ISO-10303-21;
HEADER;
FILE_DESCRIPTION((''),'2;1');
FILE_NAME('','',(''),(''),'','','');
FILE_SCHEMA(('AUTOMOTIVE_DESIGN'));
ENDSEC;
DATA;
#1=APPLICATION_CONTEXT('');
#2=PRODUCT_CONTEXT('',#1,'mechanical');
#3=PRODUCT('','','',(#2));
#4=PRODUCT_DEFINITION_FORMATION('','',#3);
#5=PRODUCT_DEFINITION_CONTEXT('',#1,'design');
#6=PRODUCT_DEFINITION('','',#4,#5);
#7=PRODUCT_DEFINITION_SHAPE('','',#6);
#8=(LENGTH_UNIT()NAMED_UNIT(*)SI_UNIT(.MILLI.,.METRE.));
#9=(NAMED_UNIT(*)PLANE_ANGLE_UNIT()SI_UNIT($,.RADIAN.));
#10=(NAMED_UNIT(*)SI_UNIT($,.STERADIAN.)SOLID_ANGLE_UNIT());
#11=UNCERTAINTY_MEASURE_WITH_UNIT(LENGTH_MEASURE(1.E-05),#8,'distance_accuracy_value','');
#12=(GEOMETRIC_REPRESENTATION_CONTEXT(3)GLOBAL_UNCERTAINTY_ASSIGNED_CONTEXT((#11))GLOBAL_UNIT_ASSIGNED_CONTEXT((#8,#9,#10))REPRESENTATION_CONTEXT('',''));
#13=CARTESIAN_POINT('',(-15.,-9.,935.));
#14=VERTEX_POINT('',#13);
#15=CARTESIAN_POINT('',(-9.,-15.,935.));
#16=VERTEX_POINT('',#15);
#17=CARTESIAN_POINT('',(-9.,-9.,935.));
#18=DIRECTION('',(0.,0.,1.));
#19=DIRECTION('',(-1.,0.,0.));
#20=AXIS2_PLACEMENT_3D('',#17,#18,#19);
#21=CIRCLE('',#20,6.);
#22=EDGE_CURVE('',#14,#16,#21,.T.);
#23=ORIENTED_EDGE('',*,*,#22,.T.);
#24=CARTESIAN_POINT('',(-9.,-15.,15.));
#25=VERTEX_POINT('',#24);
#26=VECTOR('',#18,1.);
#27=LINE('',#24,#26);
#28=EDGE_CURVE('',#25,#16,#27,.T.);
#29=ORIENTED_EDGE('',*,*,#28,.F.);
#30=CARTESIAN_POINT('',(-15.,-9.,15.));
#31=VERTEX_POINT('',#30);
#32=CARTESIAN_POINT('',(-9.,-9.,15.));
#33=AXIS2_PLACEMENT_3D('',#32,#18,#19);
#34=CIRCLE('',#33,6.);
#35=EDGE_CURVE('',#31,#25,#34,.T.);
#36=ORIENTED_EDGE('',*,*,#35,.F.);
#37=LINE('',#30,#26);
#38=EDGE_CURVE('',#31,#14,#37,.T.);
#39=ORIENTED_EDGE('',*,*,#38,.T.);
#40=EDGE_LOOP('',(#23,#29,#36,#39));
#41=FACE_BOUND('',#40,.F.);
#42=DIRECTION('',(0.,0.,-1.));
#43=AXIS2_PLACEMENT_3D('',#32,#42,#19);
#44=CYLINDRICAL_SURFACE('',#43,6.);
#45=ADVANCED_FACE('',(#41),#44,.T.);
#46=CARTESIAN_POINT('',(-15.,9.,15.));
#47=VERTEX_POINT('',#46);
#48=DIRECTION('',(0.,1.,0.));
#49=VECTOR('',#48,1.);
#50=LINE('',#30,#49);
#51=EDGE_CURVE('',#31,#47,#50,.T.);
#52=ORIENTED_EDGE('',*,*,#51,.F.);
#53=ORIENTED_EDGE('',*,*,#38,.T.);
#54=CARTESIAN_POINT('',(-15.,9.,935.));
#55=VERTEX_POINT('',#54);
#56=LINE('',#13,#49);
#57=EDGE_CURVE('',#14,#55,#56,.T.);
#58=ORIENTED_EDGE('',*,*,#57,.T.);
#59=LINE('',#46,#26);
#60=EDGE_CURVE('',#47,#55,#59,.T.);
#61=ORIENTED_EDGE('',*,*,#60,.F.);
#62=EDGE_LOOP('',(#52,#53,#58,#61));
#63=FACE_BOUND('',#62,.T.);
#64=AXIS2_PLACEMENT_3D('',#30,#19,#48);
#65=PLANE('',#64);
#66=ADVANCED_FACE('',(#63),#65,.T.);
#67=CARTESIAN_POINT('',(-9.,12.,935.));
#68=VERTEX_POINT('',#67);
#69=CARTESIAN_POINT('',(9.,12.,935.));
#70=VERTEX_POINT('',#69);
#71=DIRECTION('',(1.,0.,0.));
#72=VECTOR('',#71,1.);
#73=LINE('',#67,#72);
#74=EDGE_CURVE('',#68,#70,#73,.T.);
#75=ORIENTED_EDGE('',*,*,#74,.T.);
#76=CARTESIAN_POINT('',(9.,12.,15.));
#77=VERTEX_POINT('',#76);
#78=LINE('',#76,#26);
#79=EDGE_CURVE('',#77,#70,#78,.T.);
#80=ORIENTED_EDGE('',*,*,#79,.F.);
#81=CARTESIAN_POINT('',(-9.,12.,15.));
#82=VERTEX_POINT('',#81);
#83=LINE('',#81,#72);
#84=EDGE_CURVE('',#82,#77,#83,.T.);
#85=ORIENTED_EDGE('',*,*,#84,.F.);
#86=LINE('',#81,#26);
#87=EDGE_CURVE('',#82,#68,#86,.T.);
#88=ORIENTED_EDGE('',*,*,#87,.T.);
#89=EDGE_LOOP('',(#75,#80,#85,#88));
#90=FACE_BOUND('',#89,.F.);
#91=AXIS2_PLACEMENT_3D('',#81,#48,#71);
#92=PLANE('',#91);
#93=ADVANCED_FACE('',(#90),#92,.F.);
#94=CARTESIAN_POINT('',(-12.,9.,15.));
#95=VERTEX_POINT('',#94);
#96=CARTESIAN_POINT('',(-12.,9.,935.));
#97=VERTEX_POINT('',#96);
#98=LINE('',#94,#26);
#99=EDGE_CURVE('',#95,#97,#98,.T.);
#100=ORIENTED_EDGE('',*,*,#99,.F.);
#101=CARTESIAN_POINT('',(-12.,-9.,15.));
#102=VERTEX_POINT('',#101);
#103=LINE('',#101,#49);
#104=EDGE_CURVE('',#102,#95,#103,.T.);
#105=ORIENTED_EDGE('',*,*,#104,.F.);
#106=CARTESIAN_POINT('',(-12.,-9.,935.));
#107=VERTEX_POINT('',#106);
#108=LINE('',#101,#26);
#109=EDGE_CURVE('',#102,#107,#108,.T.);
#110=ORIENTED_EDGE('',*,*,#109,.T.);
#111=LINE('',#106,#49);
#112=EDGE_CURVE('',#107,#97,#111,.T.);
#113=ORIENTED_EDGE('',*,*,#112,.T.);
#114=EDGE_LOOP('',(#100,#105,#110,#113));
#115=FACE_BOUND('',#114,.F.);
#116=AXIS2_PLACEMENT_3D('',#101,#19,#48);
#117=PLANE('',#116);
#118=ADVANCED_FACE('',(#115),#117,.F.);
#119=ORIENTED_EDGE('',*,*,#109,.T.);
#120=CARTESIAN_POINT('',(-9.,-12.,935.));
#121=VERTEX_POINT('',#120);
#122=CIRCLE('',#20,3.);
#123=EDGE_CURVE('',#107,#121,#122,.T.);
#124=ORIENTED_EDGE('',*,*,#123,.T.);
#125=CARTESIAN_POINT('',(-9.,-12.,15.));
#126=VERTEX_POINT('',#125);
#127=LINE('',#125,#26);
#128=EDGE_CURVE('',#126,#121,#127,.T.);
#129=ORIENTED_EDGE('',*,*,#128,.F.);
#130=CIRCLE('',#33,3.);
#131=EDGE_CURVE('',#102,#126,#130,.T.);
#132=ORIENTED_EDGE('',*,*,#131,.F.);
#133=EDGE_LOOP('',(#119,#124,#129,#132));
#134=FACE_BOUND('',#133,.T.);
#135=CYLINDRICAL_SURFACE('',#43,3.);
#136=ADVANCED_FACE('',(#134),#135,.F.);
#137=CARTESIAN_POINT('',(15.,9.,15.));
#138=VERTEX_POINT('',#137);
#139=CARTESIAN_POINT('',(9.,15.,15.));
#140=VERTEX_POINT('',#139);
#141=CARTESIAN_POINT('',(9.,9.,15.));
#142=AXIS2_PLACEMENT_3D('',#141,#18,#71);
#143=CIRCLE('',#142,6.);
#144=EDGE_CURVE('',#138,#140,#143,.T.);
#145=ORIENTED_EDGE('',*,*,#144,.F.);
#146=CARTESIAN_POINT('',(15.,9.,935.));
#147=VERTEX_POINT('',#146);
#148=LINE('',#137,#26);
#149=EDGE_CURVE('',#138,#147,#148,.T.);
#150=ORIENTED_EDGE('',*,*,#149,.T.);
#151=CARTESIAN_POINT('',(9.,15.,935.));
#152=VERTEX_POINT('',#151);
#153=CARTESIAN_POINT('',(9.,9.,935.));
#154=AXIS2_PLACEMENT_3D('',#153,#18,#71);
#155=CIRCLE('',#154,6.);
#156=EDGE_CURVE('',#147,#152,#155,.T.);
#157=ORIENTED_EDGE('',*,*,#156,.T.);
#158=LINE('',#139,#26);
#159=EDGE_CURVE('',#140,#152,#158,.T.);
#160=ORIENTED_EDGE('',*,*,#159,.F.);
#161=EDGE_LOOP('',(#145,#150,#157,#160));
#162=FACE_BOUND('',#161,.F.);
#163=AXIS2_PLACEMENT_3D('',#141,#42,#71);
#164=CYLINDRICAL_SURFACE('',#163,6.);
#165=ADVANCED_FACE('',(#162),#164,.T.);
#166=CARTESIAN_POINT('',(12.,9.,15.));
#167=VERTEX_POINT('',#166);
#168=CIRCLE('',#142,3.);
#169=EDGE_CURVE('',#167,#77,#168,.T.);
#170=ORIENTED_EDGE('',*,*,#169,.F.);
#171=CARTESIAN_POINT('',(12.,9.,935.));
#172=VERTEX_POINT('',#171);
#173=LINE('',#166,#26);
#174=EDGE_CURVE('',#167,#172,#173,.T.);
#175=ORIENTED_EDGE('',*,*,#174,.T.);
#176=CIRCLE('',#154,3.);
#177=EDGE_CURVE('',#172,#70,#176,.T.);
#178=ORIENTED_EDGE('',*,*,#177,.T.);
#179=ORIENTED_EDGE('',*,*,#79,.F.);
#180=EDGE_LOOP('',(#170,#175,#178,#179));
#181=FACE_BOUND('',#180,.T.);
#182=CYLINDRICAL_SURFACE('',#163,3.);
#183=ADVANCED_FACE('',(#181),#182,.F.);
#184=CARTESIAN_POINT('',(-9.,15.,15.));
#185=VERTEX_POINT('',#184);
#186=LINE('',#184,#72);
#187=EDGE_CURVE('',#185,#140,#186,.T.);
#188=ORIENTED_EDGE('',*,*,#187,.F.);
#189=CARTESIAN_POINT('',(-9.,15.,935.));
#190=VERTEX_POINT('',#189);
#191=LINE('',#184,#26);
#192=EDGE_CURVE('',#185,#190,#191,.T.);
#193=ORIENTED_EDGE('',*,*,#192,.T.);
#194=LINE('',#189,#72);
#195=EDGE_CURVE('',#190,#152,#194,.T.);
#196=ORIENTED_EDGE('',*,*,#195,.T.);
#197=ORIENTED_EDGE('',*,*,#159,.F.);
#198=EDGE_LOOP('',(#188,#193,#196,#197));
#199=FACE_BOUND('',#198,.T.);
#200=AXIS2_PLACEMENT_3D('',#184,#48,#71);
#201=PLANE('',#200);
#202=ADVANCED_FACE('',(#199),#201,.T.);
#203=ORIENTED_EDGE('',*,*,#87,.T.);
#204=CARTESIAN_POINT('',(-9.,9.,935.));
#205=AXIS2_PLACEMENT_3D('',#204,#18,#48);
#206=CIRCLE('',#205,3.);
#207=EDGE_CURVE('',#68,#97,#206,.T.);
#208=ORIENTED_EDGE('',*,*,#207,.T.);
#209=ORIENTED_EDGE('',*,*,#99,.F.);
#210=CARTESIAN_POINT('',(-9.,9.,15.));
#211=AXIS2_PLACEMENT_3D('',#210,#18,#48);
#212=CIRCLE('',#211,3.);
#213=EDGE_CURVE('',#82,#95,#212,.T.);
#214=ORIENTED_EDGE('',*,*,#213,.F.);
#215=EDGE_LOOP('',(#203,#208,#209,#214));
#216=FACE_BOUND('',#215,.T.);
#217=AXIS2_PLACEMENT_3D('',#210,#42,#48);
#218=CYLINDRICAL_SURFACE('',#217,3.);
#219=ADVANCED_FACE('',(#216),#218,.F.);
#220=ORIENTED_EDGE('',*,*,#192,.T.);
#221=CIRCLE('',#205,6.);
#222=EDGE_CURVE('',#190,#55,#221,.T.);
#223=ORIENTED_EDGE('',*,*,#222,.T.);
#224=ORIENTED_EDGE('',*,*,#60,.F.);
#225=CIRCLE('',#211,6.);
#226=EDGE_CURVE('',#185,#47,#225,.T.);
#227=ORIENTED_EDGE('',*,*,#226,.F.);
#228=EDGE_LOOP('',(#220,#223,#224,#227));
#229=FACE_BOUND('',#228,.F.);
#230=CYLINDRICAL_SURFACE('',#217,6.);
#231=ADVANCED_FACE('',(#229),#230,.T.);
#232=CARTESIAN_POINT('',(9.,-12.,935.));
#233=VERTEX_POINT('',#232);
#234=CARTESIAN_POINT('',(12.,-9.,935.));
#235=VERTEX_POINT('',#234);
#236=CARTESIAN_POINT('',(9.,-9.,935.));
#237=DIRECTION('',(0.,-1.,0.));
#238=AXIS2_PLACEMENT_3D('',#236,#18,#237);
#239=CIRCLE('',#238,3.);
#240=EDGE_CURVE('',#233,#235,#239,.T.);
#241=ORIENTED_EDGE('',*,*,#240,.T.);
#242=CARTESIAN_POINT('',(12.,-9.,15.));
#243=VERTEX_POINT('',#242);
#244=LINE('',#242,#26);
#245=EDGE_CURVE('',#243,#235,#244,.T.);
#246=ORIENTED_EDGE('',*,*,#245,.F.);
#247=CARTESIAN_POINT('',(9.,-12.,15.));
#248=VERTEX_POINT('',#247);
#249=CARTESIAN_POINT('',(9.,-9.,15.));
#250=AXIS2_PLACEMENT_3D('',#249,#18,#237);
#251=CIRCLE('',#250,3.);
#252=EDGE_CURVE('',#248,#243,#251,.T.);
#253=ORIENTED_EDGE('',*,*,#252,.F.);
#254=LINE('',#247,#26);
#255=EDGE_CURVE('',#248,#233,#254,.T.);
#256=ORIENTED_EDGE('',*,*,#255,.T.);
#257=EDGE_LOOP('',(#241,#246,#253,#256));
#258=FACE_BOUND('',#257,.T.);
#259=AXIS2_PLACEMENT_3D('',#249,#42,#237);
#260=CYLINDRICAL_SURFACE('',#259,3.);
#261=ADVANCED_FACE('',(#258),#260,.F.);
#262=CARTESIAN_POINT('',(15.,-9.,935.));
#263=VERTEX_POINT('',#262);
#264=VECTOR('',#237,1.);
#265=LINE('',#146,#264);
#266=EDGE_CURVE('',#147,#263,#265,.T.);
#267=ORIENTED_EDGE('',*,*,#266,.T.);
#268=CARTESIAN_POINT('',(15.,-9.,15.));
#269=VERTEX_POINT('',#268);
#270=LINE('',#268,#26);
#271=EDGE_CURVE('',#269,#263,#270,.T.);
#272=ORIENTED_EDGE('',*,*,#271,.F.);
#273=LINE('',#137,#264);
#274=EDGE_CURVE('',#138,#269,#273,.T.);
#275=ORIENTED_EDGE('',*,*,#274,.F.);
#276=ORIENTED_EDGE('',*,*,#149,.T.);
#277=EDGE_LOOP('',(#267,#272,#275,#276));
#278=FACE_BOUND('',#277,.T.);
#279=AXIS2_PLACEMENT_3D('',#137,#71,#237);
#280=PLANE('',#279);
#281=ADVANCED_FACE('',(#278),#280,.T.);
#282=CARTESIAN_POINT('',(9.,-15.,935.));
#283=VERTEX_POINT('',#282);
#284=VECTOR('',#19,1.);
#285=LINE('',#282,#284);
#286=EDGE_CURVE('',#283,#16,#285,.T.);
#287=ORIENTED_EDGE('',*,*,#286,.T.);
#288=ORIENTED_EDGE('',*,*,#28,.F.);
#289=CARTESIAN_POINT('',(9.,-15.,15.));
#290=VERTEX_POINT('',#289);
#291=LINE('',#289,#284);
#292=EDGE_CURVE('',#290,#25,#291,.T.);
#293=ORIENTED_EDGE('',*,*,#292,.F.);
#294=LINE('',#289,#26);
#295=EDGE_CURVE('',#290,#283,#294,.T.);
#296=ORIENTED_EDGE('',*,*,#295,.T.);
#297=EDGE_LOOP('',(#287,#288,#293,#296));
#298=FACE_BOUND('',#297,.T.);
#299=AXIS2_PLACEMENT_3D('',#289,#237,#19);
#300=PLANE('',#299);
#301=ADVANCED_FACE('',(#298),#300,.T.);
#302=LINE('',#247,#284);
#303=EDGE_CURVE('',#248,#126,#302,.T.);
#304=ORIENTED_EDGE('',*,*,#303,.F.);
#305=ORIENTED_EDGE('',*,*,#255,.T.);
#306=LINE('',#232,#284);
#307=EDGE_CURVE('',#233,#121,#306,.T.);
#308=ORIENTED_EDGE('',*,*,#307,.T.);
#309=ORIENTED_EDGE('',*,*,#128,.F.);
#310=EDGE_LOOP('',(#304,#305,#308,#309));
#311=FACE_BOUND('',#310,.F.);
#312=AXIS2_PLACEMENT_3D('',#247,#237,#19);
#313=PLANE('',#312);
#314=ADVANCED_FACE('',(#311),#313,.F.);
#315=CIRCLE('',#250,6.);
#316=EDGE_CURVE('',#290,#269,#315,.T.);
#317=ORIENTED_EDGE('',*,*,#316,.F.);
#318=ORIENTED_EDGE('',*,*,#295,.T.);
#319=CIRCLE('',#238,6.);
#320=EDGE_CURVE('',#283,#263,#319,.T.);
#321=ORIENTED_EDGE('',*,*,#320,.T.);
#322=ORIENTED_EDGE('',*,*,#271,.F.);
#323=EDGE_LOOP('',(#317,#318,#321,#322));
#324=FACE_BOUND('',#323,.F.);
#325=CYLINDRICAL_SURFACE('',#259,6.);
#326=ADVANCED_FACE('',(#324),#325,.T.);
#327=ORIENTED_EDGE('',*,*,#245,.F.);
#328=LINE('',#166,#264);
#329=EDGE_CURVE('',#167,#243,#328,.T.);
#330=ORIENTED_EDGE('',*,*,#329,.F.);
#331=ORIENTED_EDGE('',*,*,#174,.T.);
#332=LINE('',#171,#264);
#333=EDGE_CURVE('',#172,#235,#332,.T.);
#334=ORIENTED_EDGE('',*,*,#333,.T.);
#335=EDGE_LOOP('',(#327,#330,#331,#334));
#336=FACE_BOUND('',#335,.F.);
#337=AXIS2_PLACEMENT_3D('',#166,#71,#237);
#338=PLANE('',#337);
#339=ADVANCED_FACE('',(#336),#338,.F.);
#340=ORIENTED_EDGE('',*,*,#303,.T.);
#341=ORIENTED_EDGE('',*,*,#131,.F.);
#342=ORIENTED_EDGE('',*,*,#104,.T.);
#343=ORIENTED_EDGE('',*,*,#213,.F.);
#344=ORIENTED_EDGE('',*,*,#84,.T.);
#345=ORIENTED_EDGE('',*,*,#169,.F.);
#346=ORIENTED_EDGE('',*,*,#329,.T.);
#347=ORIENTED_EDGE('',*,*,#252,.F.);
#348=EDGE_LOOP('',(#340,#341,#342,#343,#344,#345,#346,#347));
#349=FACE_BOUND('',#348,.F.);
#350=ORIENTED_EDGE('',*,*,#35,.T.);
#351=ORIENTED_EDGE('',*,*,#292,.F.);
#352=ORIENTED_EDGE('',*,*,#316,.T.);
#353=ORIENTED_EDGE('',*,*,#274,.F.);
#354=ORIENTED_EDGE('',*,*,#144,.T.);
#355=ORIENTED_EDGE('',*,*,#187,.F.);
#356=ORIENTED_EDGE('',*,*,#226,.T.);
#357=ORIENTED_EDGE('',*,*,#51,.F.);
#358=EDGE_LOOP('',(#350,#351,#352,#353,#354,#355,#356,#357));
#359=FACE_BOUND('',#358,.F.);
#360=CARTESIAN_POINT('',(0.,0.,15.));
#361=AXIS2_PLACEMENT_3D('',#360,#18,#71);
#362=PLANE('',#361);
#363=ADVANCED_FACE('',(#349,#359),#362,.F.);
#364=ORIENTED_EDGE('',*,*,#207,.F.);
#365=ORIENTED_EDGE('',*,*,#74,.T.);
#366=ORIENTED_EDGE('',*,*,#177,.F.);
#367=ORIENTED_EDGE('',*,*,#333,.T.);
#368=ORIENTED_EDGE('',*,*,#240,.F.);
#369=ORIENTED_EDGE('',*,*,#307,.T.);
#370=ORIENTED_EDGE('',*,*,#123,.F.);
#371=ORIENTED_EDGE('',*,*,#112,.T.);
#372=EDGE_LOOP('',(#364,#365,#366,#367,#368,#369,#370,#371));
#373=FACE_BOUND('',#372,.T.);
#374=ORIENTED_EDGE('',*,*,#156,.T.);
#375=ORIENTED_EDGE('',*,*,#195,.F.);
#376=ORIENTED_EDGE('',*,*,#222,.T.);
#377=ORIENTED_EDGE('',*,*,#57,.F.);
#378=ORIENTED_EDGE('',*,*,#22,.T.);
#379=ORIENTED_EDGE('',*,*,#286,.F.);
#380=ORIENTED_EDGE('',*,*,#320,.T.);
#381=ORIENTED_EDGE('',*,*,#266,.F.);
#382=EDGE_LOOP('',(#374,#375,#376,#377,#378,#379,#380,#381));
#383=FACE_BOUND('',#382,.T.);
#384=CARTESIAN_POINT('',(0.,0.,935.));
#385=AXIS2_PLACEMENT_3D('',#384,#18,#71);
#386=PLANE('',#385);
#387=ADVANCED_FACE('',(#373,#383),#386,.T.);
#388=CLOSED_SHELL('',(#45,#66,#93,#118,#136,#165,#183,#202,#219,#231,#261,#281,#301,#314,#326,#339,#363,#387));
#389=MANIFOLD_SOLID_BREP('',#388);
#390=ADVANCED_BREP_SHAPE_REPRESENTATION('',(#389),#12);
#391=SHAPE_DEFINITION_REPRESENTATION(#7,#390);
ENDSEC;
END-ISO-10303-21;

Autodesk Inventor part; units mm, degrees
ref_plane "Start Plane" through (0, 0, 15) normal (0, 0, 1) x (1, 0, 0)
ref_plane "End Plane" through (0, 0, 935) normal (0, 0, 1) x (1, 0, 0)
sketch "Sketch" plane through (0, 0, 0) normal (0, 0, 1) x (1, 0, 0)
  line L0 (-15, -9) -> (-15, 9)
  line L1 (-9, 15) -> (9, 15)
  line L2 (15, 9) -> (15, -9)
  line L3 (9, -15) -> (-9, -15)
  arc A0 (-15, -9) -> (-9, -15) centre (-9, -9) ccw
  arc A1 (-9, 15) -> (-15, 9) centre (-9, 9) ccw
  arc A2 (15, 9) -> (9, 15) centre (9, 9) ccw
  arc A3 (9, -15) -> (15, -9) centre (9, -9) ccw
  arc A4 (-9, 12) -> (-12, 9) centre (-9, 9) ccw
  line L4 (-9, 12) -> (9, 12)
  arc A5 (12, 9) -> (9, 12) centre (9, 9) ccw
  line L5 (12, 9) -> (12, -9)
  arc A6 (9, -12) -> (12, -9) centre (9, -9) ccw
  line L6 (9, -12) -> (-9, -12)
  arc A7 (-12, -9) -> (-9, -12) centre (-9, -9) ccw
  line L7 (-12, -9) -> (-12, 9)
  line L8 (0, 22.7397) -> (0, -22.7397) construction
  line L9 (-22.7397, 0) -> (22.7397, 0) construction
  dimension "d7" = 6
  dimension "d10" = 30
  dimension "d11" = 30
  dimension "d12" = 3
  dimension "d15" = 15
  dimension "d16" = 15
extrude "Body" add sketch "Sketch" along normal up to surface (920 mm away) from surface at 15
sketch "Sketch3" plane through (0, 0, 0) normal (0, 0, 1) x (1, 0, 0)
  line L0 (0, 0) -> (10, 0)
ref_plane "Work Plane3" through (0, 0, 0) normal (0, -1, 0) x (1, 0, 0)
ref_plane "Work Plane4" through (1140, -141, 935) normal (0, 0, 1) x (1, 0, 0)
split "Split1" plane through (1140, -141, 935) removes the side toward (0, 0, 1)
ref_plane "Work Plane6" through (-972, -9, 15) normal (0, 0, -1) x (-1, 0, 0)
split "Split3" plane through (-972, -9, 15) removes the side toward (0, 0, -1)
sketch "Sketch4" plane through (0, 0, 0) normal (0, -1, 0) x (1, 0, 0)
  line L0 (-2, 15) -> (12, 15) projected
  line L1 (-2, 935) -> (12, 935) projected
  dimension "d18" = 920
equation "\"d7\" = G_IR"
equation "\"d10\" = G_H"
equation "\"d11\" = G_W"
equation "\"d12\" = G_T"
equation "\"d15\" = 0.5 * d10"
equation "\"d16\" = 0.5 * d11"
equation "\"d3\" = G_L"
equation "\"G_W\" = 30"
equation "\"G_H\" = 30"
equation "\"G_T\" = 3"
equation "\"G_IR\" = 6"
equation "\"G_L\" = d18"
equation "\"G_OFFSET_START\" = -15"
equation "\"G_OFFSET_END\" = -15"
equation "\"d13\" = -G_OFFSET_START"
equation "\"d14\" = G_OFFSET_END + B_L"
equation "\"B_L\" = 950"
properties part number "DIN EN 10219-2 - 30 x 30 x 3  - 920" material "Steel, Mild"
